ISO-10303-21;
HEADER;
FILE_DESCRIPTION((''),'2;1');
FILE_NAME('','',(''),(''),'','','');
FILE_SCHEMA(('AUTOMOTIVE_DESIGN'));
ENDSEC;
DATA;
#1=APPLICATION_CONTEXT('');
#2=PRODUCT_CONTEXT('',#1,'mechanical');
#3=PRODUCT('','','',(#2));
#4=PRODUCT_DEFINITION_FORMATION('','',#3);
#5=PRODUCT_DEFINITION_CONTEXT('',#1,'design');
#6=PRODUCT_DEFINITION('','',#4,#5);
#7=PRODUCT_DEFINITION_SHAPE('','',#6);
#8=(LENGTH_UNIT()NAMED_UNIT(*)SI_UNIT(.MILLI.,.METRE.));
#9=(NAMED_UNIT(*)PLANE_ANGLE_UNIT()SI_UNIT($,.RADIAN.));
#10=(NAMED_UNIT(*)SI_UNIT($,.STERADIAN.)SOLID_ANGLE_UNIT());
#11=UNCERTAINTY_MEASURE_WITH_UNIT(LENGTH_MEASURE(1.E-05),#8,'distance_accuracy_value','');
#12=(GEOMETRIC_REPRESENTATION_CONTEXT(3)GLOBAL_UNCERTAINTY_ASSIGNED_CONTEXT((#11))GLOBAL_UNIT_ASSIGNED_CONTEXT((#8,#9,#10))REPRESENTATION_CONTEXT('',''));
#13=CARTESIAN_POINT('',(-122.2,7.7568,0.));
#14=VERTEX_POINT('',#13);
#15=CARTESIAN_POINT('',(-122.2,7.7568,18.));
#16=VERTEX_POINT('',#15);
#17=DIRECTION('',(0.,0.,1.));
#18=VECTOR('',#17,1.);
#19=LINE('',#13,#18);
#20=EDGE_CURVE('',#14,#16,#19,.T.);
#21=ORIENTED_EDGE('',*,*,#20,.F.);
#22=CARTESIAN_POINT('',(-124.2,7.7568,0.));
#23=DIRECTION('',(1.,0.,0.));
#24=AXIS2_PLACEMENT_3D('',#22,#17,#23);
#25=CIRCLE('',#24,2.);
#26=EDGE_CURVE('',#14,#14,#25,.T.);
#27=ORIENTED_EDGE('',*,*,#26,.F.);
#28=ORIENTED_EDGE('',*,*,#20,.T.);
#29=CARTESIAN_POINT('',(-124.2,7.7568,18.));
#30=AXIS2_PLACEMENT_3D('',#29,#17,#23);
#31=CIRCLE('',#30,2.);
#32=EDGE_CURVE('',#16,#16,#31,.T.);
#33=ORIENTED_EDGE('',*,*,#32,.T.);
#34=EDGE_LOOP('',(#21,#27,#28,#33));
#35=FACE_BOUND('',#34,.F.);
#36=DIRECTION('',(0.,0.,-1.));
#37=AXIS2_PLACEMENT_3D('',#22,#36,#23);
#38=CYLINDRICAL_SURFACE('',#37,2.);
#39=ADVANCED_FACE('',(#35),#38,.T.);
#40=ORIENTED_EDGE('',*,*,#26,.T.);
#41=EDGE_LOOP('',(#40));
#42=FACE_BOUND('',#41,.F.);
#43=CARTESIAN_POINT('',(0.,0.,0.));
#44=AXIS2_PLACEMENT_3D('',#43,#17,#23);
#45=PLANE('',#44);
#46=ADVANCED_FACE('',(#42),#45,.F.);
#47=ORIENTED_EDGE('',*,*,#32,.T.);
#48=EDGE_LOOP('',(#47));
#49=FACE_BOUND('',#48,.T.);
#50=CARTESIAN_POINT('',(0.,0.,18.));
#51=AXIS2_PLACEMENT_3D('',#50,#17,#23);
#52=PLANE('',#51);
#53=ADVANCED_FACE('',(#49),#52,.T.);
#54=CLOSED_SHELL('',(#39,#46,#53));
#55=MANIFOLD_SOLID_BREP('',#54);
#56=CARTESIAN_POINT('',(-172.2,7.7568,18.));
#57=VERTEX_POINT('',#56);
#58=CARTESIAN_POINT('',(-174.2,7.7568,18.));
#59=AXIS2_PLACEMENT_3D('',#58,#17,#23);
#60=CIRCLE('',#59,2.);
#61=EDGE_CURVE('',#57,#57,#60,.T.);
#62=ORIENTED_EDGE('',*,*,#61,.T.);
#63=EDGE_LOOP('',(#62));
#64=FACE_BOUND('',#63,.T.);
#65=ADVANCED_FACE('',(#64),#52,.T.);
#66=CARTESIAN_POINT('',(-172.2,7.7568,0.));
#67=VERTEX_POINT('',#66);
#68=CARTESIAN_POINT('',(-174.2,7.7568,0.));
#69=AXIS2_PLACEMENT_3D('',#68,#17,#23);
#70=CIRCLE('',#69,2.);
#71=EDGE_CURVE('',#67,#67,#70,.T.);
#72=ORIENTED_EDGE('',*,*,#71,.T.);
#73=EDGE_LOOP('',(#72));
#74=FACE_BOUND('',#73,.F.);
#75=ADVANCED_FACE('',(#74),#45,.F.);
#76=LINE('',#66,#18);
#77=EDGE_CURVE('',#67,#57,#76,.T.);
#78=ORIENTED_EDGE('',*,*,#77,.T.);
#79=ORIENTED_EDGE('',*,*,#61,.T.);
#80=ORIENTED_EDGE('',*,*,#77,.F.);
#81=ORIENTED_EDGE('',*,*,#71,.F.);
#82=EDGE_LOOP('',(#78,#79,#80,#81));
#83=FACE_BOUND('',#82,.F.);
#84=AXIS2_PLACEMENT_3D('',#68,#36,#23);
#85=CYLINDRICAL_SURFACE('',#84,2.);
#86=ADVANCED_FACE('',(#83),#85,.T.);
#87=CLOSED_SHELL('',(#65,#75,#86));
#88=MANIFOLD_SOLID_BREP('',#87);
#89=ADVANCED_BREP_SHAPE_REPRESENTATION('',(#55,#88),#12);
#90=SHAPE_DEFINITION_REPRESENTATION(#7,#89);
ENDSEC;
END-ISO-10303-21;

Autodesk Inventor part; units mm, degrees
ref_plane "YZ Plane" through (0, 0, 0) normal (1, 0, 0) x (0, 1, 0)
ref_plane "XZ Plane" through (0, 0, 0) normal (0, 1, 0) x (-1, 0, 0)
ref_plane "XY Plane" through (0, 0, 0) normal (0, 0, 1) x (1, 0, 0)
sketch "Boceto1" plane through (0, 0, 0) normal (0, 0, 1) x (1, 0, 0)
  circle A0 centre (-124.2, 7.7568) radius 2
  circle A1 centre (-174.2, 7.7568) radius 2
  point P0 (0, 0)
  dimension "d0" = 4
  dimension "d1" = 4
  dimension "d2" = 50
  dimension "d3" = 124.2
extrude "Extrusión1" add sketch "Boceto1" along normal blind 18
equation "\"Radio_pliegue\" = Grosor"
equation "\"Anchura_desahogo_plegado\" = Grosor"
equation "\"Profundidad_desahogo_plegado\" = 0.5 * Grosor"
equation "\"Tamaño_destalonado\" = 4 * Grosor"
equation "\"Remanente_mínimo\" = 2 * Grosor"
equation "\"Radiodetransición\" = Radio_pliegue"
equation "\"Tamaño_de_radio_de_Jacobi\" = Radio_pliegue"
equation "\"TamañoSeparación\" = Grosor"
equation "\"Grosor\" = 0.5"
